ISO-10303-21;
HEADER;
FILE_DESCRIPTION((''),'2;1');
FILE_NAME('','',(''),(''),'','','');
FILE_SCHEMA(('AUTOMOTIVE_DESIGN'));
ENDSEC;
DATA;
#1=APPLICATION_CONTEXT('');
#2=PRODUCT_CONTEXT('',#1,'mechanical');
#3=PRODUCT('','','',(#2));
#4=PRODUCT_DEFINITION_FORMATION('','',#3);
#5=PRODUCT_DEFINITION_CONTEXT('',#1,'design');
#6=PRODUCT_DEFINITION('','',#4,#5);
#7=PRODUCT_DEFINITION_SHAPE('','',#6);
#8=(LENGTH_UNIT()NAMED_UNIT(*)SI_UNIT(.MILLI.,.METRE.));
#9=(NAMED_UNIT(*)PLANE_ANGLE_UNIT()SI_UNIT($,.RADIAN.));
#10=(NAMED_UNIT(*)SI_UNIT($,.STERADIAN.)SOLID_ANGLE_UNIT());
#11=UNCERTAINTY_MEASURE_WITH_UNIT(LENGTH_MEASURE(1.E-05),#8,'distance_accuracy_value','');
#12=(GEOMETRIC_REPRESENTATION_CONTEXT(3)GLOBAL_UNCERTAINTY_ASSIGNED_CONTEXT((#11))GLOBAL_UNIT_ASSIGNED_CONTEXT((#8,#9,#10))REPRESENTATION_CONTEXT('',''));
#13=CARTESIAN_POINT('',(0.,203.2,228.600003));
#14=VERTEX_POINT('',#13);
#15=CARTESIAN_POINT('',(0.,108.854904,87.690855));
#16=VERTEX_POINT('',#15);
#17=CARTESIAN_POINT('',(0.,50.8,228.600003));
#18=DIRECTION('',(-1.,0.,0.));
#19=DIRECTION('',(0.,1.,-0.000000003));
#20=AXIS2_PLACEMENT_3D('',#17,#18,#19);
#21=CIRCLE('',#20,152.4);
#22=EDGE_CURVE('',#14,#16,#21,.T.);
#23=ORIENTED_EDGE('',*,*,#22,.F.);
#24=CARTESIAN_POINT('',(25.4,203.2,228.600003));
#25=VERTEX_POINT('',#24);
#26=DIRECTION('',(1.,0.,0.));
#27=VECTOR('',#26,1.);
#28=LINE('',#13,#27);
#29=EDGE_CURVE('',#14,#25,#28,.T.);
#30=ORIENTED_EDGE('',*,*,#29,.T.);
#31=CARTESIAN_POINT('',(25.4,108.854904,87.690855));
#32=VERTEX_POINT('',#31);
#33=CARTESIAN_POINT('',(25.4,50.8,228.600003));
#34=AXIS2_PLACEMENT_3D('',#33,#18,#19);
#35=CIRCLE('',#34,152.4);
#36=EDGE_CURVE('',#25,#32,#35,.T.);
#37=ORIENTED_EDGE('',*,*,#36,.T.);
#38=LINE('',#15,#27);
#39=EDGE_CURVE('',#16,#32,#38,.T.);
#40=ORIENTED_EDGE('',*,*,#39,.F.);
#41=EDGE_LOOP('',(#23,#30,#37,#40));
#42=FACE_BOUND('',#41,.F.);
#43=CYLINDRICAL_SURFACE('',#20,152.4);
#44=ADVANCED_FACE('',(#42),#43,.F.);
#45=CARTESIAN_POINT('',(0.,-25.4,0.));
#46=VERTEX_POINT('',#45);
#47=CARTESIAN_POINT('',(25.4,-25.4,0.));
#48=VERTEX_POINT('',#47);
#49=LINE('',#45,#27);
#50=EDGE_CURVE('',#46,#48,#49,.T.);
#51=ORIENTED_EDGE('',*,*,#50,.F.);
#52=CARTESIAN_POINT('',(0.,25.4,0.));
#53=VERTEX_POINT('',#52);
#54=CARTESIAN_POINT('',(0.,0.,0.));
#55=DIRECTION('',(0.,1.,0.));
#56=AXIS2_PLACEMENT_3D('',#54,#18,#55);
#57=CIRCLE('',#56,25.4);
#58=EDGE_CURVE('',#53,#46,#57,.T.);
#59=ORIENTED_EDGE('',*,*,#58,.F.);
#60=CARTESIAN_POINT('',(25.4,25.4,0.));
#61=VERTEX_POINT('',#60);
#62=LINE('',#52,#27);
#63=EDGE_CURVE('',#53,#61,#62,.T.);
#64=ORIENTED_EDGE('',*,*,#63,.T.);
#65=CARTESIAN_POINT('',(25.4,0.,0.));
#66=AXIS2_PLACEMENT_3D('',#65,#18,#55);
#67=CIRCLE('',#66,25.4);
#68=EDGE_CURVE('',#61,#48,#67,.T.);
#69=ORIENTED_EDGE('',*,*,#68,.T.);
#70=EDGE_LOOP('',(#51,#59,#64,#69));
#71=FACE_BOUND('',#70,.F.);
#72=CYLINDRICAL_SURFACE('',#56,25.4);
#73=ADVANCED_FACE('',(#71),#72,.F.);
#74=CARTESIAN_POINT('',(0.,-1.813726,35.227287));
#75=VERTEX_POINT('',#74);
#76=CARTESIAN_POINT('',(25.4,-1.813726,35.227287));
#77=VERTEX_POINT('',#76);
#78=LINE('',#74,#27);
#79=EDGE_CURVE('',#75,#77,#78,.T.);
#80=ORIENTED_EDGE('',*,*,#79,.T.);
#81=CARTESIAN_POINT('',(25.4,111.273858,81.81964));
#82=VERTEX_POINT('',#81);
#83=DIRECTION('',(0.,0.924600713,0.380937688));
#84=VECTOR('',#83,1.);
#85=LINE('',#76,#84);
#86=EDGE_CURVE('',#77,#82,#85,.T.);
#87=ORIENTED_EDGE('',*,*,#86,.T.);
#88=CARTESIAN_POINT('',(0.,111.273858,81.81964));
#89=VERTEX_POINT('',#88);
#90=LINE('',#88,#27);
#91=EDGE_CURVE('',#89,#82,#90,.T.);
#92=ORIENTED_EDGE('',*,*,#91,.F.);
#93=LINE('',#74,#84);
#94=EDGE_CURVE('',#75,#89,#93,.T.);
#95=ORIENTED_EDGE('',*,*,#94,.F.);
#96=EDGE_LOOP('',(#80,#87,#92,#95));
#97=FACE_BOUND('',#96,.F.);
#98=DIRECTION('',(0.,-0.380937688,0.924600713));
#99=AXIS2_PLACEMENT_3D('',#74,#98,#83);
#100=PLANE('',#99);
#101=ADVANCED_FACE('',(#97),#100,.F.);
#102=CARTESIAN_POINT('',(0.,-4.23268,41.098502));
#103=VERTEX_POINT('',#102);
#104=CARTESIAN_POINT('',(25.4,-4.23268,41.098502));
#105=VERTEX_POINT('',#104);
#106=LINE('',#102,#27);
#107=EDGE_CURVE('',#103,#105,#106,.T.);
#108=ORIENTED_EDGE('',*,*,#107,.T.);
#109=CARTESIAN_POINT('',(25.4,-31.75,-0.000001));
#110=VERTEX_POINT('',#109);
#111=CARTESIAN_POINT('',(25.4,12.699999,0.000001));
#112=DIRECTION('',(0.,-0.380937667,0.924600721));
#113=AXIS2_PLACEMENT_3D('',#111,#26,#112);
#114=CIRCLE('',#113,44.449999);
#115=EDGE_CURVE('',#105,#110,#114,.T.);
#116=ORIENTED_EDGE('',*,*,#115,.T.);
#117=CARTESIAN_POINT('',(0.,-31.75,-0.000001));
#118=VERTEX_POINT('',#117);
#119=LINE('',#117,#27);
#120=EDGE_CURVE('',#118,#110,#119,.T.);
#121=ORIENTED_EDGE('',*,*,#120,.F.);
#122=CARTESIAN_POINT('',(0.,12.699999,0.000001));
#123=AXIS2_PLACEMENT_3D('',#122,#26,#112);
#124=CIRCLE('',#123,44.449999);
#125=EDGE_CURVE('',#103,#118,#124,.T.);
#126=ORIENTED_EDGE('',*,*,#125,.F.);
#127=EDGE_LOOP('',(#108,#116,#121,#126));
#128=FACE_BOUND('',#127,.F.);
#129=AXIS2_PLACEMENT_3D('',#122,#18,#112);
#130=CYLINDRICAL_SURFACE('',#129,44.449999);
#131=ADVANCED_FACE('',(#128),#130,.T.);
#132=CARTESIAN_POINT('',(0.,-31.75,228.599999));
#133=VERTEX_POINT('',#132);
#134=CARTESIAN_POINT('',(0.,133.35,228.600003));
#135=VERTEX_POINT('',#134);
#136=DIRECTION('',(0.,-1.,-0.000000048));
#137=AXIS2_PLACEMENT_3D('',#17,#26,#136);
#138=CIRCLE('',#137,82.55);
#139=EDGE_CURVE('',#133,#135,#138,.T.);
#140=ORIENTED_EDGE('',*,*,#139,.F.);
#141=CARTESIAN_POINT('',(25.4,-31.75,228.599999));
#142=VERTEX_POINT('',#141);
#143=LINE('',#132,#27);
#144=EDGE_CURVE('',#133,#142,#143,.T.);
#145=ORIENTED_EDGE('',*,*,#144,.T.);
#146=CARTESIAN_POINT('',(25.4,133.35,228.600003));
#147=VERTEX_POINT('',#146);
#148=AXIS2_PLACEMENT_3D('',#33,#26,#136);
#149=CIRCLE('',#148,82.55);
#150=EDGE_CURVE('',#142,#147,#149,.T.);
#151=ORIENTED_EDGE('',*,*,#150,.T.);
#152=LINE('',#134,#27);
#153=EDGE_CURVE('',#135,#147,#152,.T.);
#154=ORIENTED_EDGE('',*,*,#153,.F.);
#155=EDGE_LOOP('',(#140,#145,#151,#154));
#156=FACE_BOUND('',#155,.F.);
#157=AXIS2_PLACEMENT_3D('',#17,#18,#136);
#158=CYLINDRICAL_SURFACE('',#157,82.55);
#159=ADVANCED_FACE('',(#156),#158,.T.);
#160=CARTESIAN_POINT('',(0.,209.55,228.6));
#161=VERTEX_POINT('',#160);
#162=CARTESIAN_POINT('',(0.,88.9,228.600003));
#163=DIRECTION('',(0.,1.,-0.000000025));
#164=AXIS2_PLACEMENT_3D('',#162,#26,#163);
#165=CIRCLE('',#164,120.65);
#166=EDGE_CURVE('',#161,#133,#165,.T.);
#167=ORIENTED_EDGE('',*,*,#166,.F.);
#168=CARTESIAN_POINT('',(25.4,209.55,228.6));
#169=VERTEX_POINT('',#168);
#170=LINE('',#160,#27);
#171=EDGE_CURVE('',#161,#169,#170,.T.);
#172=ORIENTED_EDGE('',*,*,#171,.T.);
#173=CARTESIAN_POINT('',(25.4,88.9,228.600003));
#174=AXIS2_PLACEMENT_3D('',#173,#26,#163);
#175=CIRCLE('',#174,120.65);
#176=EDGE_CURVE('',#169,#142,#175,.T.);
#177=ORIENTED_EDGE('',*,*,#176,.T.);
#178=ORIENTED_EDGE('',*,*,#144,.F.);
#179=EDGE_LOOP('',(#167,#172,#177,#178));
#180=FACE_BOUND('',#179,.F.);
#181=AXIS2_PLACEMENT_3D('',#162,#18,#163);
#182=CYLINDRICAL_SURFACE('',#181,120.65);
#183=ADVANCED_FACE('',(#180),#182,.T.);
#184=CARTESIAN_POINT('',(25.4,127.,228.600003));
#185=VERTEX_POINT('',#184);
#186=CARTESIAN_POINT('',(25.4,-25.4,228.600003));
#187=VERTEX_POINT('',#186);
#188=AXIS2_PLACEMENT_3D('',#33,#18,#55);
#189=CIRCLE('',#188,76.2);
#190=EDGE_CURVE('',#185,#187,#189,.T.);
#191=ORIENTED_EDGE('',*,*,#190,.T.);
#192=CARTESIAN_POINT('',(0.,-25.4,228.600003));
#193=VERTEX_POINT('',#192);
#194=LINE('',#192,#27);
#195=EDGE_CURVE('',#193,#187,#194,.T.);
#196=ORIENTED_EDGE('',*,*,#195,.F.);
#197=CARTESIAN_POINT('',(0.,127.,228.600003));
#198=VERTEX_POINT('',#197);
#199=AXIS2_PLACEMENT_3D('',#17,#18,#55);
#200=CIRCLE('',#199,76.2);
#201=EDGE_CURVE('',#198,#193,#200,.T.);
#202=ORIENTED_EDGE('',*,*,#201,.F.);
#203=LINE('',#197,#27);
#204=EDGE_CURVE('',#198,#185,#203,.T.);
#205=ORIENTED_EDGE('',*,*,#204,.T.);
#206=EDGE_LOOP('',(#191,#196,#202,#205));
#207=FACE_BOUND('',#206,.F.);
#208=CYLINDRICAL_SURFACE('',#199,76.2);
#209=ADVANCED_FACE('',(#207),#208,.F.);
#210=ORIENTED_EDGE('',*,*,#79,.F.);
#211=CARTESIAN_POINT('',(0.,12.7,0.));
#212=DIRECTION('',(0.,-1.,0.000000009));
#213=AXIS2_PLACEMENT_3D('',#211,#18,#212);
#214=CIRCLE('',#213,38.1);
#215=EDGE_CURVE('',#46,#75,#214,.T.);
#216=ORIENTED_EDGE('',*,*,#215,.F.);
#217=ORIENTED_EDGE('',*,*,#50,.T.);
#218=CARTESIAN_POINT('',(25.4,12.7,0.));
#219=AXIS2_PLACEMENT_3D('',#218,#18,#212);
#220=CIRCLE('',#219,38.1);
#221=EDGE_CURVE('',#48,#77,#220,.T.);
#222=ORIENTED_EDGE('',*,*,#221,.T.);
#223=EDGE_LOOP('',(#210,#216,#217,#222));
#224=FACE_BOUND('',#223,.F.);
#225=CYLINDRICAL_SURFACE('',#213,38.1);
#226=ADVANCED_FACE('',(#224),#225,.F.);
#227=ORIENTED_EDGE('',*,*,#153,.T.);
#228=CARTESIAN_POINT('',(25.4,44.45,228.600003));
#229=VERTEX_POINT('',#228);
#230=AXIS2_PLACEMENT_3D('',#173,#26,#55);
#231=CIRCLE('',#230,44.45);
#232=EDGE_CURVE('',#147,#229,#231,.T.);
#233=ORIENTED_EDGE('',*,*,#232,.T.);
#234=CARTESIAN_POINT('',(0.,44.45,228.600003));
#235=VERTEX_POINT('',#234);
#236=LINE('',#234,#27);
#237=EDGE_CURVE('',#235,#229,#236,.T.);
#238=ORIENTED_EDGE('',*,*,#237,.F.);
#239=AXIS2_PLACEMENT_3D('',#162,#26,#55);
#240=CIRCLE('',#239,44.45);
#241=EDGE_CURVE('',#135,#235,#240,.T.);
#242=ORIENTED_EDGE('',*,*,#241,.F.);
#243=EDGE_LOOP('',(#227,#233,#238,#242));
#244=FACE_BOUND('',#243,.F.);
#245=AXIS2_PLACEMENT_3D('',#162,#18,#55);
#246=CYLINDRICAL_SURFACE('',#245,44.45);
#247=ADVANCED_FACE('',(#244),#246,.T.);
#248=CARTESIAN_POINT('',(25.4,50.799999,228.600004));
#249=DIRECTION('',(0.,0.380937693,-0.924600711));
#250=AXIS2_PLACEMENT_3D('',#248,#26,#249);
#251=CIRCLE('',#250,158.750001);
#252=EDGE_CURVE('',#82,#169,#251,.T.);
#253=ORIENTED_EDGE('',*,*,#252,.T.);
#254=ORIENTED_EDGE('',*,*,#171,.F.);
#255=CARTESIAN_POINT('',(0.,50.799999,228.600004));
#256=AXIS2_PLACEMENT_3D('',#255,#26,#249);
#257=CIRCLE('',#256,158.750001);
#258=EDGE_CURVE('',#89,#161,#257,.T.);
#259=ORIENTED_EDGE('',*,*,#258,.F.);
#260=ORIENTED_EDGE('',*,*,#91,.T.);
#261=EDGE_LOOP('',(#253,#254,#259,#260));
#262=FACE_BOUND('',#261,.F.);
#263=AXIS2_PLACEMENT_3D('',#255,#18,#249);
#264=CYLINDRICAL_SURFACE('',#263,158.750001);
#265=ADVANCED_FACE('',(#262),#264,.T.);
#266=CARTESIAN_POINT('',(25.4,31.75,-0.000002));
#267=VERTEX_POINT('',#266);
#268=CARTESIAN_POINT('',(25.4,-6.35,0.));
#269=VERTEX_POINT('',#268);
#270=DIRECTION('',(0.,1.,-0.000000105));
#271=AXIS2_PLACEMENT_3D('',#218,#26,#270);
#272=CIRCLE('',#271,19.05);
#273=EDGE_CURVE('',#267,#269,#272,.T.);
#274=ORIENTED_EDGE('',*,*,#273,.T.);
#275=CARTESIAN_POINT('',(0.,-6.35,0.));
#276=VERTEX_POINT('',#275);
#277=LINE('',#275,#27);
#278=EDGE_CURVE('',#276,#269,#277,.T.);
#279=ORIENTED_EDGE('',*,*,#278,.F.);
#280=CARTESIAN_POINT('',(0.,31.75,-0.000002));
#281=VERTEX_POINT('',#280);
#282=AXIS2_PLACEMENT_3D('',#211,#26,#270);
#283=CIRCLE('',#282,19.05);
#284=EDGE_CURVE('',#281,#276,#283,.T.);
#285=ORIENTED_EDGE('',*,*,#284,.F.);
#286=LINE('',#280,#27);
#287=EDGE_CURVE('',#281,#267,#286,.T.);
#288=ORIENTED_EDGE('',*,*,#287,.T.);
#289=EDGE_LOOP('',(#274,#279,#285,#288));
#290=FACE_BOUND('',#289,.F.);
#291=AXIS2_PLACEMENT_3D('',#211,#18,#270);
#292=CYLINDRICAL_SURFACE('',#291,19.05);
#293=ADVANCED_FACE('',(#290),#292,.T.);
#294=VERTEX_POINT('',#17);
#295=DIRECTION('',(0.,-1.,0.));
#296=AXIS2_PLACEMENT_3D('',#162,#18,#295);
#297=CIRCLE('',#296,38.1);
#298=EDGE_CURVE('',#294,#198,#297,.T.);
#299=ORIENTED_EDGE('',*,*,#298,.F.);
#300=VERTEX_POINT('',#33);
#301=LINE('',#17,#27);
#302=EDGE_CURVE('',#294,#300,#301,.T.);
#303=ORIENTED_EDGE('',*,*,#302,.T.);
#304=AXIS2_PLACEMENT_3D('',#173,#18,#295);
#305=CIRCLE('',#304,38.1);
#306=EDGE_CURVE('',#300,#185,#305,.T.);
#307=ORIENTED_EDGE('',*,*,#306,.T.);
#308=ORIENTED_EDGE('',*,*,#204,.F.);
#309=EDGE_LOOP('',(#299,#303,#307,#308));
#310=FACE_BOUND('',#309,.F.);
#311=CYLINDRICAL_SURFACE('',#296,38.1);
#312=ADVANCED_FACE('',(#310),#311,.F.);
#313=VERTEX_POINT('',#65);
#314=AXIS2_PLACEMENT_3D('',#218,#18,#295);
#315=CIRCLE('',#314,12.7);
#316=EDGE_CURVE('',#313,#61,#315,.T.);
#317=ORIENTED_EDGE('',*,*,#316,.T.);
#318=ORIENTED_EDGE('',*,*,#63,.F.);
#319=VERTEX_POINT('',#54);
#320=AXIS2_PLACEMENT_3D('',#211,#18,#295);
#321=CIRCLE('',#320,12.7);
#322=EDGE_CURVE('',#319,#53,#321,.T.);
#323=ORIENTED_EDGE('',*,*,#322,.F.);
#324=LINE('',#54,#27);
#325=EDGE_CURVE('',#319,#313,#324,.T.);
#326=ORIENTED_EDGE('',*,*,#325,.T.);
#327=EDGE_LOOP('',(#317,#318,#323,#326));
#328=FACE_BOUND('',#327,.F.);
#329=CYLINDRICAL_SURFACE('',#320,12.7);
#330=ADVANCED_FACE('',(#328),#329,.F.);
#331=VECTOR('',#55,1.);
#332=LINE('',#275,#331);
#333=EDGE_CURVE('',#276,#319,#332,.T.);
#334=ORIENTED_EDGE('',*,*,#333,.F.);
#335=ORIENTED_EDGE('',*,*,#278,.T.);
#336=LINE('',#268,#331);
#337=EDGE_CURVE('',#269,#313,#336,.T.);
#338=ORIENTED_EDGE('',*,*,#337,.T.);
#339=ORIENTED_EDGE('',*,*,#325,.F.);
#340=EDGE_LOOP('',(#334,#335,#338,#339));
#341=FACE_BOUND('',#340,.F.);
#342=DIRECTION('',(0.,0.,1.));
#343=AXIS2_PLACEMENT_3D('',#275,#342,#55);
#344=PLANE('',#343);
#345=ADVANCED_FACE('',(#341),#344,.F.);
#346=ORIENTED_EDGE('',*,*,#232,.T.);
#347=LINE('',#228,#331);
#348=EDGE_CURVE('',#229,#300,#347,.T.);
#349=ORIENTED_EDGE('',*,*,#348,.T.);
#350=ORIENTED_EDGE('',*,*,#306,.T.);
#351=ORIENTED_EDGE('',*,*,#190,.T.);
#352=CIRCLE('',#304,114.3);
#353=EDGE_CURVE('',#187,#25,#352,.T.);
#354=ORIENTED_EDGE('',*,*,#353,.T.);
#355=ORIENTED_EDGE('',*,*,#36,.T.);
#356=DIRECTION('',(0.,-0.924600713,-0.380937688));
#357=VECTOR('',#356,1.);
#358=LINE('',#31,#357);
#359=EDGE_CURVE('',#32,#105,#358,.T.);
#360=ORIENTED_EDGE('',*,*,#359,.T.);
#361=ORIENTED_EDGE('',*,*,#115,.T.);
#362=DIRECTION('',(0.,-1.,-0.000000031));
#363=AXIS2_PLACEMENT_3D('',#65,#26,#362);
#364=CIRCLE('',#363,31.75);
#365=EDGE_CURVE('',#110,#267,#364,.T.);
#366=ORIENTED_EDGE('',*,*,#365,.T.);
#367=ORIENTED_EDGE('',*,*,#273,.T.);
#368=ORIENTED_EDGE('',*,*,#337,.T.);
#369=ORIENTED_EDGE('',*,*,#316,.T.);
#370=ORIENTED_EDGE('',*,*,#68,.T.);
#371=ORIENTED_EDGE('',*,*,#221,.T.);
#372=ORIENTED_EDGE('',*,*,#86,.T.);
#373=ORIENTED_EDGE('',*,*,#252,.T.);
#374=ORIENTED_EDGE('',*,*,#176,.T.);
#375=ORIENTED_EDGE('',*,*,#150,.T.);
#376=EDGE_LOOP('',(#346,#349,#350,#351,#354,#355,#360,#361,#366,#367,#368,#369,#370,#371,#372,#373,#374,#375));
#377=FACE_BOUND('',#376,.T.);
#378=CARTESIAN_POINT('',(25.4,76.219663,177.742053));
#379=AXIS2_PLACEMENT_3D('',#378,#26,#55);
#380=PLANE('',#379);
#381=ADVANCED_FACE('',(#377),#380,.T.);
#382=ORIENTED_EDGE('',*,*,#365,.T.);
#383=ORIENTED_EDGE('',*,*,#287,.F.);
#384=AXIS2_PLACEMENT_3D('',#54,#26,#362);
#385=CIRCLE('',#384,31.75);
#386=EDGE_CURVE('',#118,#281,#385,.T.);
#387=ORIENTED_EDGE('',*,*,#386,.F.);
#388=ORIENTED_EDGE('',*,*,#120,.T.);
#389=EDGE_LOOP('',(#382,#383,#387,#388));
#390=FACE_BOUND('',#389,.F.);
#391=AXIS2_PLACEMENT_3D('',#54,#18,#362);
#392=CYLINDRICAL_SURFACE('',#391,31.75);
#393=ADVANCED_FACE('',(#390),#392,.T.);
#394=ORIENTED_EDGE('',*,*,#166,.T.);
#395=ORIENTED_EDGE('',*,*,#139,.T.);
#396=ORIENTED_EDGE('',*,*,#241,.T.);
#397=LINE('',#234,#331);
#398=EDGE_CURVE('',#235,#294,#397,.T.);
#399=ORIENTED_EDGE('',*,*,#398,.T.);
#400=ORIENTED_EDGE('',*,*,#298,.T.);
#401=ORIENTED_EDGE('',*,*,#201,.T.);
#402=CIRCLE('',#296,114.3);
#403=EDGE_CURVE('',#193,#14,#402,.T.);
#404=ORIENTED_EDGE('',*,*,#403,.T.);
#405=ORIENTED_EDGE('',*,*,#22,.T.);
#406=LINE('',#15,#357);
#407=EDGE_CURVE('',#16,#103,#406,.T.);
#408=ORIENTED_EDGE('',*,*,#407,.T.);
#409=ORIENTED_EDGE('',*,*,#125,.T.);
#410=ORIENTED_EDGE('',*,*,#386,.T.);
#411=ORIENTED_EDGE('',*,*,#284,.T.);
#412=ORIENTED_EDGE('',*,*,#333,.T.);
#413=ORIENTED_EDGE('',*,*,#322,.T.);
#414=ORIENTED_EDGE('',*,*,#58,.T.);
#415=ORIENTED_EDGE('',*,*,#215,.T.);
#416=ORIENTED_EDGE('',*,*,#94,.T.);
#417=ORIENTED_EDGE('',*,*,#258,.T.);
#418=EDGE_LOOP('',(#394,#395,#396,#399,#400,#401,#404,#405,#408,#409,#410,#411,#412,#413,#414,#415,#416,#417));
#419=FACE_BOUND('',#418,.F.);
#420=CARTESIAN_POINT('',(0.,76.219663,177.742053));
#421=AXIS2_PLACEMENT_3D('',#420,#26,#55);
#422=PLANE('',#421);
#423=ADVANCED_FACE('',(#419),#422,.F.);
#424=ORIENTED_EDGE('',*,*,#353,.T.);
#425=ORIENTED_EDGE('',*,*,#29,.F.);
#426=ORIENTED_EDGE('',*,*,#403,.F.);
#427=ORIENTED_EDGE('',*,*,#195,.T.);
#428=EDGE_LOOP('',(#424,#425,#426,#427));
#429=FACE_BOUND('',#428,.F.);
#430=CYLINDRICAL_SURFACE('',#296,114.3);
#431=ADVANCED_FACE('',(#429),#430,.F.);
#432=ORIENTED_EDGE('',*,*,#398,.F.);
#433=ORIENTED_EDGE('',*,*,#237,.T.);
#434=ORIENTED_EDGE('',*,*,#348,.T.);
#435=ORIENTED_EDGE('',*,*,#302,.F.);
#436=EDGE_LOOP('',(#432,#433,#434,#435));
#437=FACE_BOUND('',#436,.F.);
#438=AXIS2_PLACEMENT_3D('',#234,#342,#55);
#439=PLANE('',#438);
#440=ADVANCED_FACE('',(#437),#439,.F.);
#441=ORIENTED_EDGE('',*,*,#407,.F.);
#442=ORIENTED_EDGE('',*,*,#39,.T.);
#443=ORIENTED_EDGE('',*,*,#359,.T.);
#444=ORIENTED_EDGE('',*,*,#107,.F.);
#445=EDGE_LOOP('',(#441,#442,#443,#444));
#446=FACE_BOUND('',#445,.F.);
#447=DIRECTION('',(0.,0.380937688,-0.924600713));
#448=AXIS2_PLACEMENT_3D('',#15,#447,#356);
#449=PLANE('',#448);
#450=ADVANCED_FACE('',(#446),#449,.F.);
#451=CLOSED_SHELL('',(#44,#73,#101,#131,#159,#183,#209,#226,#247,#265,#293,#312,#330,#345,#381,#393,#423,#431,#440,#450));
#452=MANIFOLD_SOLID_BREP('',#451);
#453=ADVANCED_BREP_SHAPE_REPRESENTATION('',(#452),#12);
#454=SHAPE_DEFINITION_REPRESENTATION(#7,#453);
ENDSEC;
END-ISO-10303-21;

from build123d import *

# Parameters (mm, degrees)
F1_DEPTH = 25.4


with BuildPart() as f1:
    # F0 (on Right) → F1 (new body)
    with BuildSketch(Plane.YZ):
        with BuildLine():
            ThreePointArc((0, 0), (12.7, 12.7), (25.4, 0))
            ThreePointArc((25.4, 0), (0, -25.4), (-25.4, 0))
            ThreePointArc((-25.4, 0), (-18.958987, 21.197135), (-1.813726, 35.227287))
            Line((-1.813726, 35.227287), (111.273858, 81.81964))
            ThreePointArc((111.273858, 81.81964), (182.712446, 140.278607), (209.55, 228.6))
            ThreePointArc((209.55, 228.6), (88.899999, 349.250003), (-31.75, 228.599999))
            ThreePointArc((-31.75, 228.599999), (50.800002, 146.050003), (133.35, 228.600003))
            ThreePointArc((133.35, 228.600003), (88.9, 273.050003), (44.45, 228.600003))
            Line((44.45, 228.600003), (50.8, 228.600003))
            ThreePointArc((50.8, 228.600003), (88.9, 266.700003), (127, 228.600003))
            ThreePointArc((127, 228.600003), (50.8, 152.400003), (-25.4, 228.600003))
            ThreePointArc((-25.4, 228.600003), (88.9, 342.900003), (203.2, 228.600003))
            ThreePointArc((203.2, 228.600003), (177.435949, 143.811464), (108.854904, 87.690855))
            Line((108.854904, 87.690855), (-4.23268, 41.098502))
            ThreePointArc((-4.23268, 41.098502), (-24.235486, 24.72999), (-31.75, -1e-06))
            ThreePointArc((-31.75, -1e-06), (0, -31.75), (31.75, -2e-06))
            ThreePointArc((31.75, -2e-06), (12.700001, 19.05), (-6.35, 0))
            Line((-6.35, 0), (0, 0))
        make_face()
    extrude(amount=F1_DEPTH)


solid = f1.part
